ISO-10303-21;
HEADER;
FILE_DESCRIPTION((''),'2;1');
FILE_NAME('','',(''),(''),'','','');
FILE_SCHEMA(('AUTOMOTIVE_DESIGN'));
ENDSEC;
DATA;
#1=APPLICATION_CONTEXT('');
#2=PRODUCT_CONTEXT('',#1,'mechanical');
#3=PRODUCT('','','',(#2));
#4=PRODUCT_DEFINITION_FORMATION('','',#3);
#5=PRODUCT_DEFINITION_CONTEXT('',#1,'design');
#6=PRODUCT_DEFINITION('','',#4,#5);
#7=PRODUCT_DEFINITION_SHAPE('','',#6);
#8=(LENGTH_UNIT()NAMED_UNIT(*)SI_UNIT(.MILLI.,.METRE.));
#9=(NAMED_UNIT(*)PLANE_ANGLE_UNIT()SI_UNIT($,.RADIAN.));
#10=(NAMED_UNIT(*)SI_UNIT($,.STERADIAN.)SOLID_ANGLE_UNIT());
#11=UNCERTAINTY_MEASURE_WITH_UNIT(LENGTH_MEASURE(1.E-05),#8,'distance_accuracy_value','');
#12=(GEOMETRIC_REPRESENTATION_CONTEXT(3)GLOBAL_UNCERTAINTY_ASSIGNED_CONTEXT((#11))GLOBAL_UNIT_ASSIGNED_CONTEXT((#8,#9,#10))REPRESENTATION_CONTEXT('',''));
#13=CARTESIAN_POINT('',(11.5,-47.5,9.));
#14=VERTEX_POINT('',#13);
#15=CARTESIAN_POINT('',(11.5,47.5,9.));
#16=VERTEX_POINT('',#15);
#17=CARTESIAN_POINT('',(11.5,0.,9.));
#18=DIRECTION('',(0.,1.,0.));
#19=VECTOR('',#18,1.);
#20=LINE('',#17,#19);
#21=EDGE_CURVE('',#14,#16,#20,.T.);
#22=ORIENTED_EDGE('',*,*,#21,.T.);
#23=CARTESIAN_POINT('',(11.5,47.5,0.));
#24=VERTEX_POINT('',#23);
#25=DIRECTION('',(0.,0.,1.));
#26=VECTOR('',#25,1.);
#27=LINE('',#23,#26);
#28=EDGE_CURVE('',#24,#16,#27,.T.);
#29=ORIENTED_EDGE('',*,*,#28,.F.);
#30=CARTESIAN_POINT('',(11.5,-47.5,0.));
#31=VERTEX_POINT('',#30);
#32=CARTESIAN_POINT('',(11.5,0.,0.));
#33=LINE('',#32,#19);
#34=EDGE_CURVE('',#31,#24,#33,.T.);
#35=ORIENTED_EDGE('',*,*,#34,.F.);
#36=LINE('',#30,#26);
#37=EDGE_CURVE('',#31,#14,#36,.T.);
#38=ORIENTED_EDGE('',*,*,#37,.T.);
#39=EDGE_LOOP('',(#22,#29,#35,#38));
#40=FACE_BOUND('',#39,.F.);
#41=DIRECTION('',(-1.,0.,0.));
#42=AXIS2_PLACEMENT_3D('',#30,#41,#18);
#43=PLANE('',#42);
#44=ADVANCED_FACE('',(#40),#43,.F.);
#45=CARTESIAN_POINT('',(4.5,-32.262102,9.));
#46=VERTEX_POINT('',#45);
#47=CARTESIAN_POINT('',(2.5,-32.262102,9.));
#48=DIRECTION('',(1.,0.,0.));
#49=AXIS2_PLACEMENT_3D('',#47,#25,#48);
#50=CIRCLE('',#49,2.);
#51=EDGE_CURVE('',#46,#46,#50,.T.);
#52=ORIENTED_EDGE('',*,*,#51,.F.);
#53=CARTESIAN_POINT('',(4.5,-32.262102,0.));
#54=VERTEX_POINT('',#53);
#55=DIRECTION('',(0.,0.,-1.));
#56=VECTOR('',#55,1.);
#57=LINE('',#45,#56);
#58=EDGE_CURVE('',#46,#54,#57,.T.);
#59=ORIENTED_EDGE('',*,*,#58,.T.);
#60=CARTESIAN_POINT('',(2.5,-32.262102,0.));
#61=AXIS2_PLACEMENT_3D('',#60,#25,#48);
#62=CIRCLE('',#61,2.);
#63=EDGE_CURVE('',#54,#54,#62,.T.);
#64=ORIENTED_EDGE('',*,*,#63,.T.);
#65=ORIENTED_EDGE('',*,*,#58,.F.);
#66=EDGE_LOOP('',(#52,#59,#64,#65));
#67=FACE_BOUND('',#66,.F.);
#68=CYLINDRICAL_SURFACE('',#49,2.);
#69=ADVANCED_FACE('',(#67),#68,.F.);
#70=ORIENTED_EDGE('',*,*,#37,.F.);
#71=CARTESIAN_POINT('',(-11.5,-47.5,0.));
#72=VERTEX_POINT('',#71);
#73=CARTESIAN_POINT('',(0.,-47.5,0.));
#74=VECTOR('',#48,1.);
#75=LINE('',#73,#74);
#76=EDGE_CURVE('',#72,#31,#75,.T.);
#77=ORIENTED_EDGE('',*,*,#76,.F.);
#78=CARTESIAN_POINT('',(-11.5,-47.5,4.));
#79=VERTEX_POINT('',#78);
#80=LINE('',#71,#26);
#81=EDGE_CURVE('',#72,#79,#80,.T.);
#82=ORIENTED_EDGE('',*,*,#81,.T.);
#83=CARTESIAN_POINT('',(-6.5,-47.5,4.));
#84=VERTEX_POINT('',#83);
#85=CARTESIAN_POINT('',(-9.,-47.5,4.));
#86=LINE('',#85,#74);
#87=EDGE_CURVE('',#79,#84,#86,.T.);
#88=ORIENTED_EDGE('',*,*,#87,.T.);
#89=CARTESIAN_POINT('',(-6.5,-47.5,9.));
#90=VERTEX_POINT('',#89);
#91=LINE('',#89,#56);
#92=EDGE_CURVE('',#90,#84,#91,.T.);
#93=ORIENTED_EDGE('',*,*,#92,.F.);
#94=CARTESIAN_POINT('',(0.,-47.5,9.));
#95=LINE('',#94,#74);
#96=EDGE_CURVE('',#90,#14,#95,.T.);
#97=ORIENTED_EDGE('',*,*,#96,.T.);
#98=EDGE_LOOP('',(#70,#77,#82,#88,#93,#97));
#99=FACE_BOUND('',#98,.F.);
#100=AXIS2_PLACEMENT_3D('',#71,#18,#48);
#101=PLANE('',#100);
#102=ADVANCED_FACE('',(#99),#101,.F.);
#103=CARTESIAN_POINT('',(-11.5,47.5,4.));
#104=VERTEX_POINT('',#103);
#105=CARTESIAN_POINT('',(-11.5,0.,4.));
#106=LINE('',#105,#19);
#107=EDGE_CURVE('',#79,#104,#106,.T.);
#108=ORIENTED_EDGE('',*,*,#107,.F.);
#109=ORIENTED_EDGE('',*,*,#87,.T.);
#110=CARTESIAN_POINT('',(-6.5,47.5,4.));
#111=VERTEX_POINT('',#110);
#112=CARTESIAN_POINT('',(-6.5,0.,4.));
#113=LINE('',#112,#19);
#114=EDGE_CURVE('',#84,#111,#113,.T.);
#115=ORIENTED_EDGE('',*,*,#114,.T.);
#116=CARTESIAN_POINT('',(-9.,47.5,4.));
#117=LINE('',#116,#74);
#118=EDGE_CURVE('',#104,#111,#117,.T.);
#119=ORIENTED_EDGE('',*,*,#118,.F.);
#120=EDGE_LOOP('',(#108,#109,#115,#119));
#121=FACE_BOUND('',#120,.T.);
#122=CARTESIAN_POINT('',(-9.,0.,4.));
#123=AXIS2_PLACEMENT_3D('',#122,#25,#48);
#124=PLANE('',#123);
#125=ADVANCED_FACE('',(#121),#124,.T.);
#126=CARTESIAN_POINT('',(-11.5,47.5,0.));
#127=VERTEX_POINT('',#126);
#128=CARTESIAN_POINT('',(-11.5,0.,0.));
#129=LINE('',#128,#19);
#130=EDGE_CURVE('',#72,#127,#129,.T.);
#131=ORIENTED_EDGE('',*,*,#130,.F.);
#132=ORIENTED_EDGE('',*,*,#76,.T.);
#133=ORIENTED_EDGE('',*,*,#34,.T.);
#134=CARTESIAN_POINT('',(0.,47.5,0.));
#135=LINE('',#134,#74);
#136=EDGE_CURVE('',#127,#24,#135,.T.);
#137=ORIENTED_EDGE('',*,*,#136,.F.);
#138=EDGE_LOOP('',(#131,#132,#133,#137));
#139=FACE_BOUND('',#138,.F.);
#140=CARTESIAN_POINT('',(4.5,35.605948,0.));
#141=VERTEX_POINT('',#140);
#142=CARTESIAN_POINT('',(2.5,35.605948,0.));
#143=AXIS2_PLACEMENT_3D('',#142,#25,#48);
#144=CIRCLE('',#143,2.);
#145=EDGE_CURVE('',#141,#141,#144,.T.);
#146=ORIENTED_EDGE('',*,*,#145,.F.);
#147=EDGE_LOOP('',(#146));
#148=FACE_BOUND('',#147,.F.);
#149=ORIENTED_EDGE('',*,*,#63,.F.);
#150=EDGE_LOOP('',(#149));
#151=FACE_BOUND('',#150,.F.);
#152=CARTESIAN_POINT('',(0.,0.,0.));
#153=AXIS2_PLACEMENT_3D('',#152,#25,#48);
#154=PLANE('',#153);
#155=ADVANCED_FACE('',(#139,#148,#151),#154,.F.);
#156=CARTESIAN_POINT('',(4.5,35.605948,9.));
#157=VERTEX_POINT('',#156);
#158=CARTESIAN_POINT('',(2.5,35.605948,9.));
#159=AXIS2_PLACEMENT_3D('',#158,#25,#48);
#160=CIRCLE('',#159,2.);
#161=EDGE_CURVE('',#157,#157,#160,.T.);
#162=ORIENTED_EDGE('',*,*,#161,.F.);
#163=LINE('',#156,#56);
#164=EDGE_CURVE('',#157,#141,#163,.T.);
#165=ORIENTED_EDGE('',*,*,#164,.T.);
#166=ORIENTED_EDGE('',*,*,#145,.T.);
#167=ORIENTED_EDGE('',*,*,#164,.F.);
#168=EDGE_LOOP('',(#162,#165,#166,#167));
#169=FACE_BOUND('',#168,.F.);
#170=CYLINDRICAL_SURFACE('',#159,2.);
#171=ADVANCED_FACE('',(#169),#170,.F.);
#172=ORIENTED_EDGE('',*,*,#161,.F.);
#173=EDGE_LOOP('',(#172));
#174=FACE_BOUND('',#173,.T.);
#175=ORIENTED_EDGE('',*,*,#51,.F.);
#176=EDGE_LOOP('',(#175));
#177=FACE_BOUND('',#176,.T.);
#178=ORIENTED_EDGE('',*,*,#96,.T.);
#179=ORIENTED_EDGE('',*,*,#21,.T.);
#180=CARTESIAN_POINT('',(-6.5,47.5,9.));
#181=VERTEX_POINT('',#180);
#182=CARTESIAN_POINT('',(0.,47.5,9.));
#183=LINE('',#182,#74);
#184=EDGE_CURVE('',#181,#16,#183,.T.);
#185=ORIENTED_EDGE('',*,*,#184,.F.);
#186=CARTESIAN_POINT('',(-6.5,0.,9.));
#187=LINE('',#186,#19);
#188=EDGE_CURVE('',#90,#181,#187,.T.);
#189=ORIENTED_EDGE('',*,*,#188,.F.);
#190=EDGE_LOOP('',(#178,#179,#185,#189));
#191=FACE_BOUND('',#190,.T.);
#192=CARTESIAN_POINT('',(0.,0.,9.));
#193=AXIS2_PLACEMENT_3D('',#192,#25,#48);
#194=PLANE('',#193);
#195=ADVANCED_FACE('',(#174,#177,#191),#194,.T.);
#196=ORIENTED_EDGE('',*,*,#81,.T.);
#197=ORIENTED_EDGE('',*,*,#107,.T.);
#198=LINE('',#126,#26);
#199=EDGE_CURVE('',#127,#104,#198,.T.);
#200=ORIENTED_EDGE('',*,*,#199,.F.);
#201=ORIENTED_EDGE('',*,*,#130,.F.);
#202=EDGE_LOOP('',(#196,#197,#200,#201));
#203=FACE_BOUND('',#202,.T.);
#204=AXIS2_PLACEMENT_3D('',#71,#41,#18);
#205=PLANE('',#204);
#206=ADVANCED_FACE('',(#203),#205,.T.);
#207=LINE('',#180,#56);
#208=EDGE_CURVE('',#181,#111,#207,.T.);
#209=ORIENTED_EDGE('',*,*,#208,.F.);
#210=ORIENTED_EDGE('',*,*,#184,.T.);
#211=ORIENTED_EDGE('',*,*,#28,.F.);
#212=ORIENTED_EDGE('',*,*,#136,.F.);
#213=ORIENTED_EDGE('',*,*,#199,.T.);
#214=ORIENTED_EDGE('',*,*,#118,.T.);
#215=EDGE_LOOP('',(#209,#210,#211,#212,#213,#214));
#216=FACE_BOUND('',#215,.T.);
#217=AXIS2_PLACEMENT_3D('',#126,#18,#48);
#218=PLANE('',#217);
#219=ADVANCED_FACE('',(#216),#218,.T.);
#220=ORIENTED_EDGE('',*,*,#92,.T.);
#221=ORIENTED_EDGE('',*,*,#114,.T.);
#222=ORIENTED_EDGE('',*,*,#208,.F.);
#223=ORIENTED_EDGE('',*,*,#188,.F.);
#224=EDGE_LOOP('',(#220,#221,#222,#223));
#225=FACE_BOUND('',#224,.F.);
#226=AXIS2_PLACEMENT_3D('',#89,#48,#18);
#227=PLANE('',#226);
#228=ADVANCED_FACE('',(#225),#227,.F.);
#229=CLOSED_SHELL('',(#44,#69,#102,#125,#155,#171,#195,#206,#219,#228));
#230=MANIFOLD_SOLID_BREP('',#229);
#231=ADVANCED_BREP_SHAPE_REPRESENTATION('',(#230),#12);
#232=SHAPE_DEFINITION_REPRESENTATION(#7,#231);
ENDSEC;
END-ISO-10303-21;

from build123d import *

# Parameters (mm, degrees)
F0_W     = 23
F0_H     = 95
F1_DEPTH = 9
F2_W     = 5
F2_H     = 95
F3_DEPTH = 5
F4_R     = 2
F5_DEPTH = 12.446


with BuildPart() as f1:
    # F0 (on Top) → F1 (new body)
    with BuildSketch(Plane.XY):
        Rectangle(F0_W, F0_H)
    extrude(amount=F1_DEPTH)

    # F2 (on face) → F3 (cut)
    with BuildSketch(Plane.XY.offset(9)):
        with Locations((-9, 0)):
            Rectangle(F2_W, F2_H)
    extrude(amount=-F3_DEPTH, mode=Mode.SUBTRACT)

    # F4 (on face) → F5 (cut)
    with BuildSketch(Plane.XY.offset(9)):
        with Locations((2.5, 35.605948)):
            Circle(F4_R)
        with Locations((2.5, -32.262102)):
            Circle(F4_R)
    extrude(amount=-F5_DEPTH, mode=Mode.SUBTRACT)


solid = f1.part
